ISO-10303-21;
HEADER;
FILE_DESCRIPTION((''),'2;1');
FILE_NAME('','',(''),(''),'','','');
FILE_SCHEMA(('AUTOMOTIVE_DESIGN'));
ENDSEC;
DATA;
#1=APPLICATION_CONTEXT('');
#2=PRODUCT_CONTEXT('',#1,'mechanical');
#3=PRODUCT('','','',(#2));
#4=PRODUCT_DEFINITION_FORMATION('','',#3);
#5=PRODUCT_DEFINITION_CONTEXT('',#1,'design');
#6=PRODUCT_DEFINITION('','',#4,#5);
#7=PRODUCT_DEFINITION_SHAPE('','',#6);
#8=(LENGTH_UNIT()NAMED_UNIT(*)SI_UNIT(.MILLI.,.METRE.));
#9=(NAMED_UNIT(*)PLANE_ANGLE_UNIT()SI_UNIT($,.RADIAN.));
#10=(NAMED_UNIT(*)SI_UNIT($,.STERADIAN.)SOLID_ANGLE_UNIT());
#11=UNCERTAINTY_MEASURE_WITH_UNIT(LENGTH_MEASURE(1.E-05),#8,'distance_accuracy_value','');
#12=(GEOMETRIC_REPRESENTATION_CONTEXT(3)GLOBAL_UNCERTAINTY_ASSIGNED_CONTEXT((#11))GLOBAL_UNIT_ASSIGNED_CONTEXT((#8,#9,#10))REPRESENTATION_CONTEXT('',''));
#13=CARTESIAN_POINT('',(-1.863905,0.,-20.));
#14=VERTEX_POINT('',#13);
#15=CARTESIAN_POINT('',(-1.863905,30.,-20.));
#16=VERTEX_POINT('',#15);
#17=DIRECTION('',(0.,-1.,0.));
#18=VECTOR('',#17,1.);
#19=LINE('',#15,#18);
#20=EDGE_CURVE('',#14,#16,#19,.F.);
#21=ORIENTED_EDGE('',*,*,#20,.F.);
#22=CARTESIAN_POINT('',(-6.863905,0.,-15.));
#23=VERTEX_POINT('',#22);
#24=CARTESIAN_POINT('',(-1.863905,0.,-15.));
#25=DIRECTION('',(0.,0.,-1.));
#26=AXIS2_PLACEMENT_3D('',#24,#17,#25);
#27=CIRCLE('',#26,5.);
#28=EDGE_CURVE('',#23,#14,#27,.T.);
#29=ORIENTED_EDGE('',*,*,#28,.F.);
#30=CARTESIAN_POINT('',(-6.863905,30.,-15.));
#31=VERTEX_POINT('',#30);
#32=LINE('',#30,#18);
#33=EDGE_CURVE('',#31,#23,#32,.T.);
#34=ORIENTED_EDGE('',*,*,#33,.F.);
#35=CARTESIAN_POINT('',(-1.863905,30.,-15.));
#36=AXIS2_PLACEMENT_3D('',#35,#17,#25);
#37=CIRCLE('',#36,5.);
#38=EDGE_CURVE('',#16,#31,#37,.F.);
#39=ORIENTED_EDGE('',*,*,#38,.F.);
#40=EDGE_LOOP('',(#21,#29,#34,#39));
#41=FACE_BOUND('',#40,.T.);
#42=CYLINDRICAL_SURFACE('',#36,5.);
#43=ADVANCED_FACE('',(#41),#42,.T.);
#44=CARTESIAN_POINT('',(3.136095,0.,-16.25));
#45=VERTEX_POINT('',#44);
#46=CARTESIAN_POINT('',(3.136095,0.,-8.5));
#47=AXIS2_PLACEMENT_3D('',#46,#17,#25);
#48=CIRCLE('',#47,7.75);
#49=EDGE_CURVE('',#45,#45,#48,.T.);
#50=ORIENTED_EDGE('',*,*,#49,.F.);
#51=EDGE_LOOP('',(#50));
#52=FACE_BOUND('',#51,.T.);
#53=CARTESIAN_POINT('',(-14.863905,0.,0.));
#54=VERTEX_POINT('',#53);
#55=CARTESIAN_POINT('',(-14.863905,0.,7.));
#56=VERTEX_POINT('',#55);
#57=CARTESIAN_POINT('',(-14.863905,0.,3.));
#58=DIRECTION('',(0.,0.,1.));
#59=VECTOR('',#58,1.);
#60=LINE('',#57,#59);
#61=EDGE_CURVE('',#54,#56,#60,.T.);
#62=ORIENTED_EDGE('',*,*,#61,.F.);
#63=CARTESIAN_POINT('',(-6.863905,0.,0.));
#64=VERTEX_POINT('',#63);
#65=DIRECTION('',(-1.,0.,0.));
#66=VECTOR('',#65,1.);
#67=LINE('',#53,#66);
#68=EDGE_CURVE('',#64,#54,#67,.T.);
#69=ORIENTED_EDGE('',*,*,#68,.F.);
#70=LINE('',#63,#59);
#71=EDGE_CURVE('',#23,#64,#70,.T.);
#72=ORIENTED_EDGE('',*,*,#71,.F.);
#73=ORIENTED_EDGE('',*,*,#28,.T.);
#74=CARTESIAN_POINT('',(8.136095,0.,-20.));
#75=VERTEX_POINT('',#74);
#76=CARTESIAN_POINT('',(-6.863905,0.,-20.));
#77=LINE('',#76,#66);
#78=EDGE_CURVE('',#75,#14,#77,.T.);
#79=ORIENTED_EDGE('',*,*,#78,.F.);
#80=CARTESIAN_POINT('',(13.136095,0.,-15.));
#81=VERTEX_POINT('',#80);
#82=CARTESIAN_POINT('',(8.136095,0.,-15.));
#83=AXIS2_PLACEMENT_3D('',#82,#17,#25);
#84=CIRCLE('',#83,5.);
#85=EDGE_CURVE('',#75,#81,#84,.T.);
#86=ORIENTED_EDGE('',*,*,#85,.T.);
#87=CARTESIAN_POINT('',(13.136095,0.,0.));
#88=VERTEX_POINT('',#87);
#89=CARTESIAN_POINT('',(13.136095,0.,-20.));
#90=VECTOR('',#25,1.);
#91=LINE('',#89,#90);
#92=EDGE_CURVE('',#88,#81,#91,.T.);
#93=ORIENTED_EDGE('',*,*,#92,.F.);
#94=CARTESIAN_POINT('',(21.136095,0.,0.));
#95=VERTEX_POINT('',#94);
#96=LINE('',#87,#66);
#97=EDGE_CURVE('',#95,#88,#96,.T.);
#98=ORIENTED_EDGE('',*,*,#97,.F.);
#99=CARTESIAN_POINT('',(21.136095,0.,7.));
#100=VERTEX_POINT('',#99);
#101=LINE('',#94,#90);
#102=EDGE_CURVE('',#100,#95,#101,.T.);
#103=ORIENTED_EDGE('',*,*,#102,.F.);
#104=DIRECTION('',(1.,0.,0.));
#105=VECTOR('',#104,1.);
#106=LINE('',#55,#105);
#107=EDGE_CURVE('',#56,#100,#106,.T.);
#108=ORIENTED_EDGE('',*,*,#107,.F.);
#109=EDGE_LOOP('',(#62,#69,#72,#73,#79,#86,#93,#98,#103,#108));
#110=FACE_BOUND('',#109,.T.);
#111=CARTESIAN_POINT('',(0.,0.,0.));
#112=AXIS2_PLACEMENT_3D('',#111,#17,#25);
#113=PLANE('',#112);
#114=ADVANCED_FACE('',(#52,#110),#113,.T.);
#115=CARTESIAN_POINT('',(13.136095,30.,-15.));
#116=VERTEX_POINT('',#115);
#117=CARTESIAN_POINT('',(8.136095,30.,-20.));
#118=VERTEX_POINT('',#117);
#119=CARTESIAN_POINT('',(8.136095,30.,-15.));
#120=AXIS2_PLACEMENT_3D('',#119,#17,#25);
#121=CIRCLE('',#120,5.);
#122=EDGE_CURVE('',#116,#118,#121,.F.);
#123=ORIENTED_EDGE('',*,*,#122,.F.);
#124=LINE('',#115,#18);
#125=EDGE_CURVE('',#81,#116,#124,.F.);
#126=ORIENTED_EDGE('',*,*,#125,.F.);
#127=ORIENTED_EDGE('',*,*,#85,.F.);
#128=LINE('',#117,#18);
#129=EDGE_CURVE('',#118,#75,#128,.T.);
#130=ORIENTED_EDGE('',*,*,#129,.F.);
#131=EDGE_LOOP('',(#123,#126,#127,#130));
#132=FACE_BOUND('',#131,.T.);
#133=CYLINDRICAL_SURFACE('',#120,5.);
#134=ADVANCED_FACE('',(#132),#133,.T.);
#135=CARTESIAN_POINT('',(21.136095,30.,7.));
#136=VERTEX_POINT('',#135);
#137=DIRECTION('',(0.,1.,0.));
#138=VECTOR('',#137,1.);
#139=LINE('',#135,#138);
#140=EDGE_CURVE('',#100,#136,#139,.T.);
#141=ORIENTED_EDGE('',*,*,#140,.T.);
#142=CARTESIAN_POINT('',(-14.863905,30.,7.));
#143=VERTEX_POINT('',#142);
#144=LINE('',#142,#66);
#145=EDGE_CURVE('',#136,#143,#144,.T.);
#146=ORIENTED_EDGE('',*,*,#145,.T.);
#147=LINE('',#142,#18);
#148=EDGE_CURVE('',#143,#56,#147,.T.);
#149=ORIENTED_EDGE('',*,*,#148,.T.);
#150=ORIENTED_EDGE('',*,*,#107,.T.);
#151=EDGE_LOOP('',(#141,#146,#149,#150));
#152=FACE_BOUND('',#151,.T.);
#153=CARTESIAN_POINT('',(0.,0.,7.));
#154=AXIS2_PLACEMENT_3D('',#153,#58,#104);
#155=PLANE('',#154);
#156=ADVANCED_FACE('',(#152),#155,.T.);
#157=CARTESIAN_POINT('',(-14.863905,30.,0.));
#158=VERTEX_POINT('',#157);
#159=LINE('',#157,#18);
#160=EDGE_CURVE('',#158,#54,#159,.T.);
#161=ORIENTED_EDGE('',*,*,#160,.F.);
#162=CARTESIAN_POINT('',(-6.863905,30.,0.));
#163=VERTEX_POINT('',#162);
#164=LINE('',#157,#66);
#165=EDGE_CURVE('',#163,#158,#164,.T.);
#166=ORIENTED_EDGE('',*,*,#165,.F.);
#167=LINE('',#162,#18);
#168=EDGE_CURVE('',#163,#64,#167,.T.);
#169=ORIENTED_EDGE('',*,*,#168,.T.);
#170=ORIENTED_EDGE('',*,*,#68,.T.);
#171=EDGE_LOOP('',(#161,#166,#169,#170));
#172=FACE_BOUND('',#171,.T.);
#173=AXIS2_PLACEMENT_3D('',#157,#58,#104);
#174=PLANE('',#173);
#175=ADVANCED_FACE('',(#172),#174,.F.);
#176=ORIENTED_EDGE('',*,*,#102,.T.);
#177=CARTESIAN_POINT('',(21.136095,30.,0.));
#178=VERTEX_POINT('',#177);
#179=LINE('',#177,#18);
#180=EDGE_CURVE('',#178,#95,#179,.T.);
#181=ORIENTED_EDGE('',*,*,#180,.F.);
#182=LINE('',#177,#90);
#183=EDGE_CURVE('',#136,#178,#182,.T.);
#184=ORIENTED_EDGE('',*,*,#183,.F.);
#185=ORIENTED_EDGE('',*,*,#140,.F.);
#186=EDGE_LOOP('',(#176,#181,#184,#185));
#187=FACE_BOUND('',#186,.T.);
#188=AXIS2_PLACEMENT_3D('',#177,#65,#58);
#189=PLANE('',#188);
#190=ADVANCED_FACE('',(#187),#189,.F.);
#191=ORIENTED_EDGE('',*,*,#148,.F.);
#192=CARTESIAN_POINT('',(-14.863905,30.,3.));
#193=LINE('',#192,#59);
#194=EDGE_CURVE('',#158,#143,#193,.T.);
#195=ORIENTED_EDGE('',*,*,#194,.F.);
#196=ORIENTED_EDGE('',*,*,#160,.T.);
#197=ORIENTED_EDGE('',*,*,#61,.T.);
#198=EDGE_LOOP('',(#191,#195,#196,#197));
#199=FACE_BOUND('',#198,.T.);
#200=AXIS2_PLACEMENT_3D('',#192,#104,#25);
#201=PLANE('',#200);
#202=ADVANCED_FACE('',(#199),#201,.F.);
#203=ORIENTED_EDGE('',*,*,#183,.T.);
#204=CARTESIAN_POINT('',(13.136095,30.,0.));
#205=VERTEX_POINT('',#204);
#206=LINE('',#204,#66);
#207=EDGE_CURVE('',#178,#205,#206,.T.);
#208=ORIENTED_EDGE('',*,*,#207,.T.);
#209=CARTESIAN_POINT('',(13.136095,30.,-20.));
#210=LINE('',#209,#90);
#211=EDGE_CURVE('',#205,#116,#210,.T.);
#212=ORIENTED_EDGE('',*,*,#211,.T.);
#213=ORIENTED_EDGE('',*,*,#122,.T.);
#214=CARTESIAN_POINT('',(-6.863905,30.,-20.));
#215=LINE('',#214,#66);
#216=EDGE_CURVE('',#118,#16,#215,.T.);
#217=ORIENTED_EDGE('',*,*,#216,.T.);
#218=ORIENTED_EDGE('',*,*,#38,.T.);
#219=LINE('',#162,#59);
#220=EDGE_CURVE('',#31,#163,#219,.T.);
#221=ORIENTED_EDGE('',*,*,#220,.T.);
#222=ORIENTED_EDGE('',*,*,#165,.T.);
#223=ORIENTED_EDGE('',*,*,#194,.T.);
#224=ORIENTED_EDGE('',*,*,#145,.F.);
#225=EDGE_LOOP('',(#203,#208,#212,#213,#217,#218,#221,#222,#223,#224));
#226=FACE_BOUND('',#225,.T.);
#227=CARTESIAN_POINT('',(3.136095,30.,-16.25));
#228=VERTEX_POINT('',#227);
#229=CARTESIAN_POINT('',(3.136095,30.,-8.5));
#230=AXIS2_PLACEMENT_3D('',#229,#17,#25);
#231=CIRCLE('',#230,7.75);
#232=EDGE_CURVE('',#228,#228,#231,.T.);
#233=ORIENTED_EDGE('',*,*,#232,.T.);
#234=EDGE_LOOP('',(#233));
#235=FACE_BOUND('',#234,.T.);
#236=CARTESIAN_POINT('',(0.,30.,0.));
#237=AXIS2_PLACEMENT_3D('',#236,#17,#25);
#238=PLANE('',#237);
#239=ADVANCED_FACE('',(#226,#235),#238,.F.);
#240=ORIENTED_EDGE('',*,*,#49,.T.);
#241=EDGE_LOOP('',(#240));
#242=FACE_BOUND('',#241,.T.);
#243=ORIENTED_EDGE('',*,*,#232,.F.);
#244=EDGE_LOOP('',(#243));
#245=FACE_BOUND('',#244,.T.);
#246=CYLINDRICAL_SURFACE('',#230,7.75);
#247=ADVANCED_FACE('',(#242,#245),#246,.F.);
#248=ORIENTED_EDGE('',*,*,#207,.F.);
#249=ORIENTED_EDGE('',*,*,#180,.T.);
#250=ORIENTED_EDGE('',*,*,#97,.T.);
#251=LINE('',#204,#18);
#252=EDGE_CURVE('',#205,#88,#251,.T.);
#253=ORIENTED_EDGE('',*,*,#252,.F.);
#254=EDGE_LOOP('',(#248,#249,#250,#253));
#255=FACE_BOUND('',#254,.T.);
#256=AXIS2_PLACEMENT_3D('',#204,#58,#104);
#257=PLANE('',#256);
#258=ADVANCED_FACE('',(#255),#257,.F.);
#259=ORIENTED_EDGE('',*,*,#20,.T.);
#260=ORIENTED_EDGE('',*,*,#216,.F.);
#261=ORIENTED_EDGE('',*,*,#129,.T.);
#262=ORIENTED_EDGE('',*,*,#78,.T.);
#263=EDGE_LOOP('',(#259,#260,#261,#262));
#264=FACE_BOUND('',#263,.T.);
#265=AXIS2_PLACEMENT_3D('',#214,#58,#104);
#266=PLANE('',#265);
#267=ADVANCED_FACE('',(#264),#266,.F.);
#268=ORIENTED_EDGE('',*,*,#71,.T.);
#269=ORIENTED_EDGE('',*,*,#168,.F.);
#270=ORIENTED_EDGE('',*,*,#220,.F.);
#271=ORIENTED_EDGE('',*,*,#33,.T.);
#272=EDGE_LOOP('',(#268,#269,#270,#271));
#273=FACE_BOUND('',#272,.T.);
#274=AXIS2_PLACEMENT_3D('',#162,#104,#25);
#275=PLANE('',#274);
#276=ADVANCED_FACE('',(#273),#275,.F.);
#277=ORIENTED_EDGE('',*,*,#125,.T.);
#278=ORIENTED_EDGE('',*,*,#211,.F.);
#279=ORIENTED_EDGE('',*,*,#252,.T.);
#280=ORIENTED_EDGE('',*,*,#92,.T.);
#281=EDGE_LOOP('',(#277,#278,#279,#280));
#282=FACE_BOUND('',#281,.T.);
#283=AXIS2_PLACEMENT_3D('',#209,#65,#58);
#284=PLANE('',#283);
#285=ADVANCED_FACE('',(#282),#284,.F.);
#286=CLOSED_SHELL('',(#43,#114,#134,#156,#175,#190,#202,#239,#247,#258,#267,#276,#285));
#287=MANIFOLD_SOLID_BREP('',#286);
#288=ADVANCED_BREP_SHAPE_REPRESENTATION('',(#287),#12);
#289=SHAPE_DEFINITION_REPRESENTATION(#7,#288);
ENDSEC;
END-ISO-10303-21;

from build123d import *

# Parameters (mm, degrees)
BOSS_EXTRUDE1_DEPTH = 30
SKETCH3_R           = 7.75
CUT_EXTRUDE1_DEPTH  = 30
FILLET1_R           = 5
SKETCH4_W           = 36
SKETCH4_H           = 30
BOSS_EXTRUDE2_DEPTH = 4


with BuildPart() as part:
    # Sketch2 → Boss-Extrude1 (new body)
    with BuildSketch(Plane(origin=(0, 0, 0), x_dir=(1, 0, 0), z_dir=(0, 1, 0))):
        Polygon((-14.863905325, 0), (-6.863905325, 0), (-6.863905325, 20), (13.136094675, 20), (13.136094675, 0), (21.136094675, 0), (21.136094675, -3), (-14.863905325, -3), align=None)
    extrude(amount=BOSS_EXTRUDE1_DEPTH)

    # Sketch3 → Cut-Extrude1 (cut)
    with BuildSketch(Plane.XZ):
        with Locations(Location((3.136094675, -8.5, 0), (0, 0, 270))):
            Circle(SKETCH3_R)
    extrude(amount=-CUT_EXTRUDE1_DEPTH, mode=Mode.SUBTRACT)

    # Fillet1
    fillet1_edges = [part.edges().sort_by_distance(p)[0] for p in [
        (-6.863905325, 15, -20),
        (13.136094675, 15, -20),
    ]]
    fillet(fillet1_edges, radius=FILLET1_R)

    # Sketch4 → Boss-Extrude2 (add)
    with BuildSketch(Plane.XY.offset(3)):
        with Locations((3.136094675, 15)):
            Rectangle(SKETCH4_W, SKETCH4_H)
    extrude(amount=BOSS_EXTRUDE2_DEPTH)


solid = part.part
